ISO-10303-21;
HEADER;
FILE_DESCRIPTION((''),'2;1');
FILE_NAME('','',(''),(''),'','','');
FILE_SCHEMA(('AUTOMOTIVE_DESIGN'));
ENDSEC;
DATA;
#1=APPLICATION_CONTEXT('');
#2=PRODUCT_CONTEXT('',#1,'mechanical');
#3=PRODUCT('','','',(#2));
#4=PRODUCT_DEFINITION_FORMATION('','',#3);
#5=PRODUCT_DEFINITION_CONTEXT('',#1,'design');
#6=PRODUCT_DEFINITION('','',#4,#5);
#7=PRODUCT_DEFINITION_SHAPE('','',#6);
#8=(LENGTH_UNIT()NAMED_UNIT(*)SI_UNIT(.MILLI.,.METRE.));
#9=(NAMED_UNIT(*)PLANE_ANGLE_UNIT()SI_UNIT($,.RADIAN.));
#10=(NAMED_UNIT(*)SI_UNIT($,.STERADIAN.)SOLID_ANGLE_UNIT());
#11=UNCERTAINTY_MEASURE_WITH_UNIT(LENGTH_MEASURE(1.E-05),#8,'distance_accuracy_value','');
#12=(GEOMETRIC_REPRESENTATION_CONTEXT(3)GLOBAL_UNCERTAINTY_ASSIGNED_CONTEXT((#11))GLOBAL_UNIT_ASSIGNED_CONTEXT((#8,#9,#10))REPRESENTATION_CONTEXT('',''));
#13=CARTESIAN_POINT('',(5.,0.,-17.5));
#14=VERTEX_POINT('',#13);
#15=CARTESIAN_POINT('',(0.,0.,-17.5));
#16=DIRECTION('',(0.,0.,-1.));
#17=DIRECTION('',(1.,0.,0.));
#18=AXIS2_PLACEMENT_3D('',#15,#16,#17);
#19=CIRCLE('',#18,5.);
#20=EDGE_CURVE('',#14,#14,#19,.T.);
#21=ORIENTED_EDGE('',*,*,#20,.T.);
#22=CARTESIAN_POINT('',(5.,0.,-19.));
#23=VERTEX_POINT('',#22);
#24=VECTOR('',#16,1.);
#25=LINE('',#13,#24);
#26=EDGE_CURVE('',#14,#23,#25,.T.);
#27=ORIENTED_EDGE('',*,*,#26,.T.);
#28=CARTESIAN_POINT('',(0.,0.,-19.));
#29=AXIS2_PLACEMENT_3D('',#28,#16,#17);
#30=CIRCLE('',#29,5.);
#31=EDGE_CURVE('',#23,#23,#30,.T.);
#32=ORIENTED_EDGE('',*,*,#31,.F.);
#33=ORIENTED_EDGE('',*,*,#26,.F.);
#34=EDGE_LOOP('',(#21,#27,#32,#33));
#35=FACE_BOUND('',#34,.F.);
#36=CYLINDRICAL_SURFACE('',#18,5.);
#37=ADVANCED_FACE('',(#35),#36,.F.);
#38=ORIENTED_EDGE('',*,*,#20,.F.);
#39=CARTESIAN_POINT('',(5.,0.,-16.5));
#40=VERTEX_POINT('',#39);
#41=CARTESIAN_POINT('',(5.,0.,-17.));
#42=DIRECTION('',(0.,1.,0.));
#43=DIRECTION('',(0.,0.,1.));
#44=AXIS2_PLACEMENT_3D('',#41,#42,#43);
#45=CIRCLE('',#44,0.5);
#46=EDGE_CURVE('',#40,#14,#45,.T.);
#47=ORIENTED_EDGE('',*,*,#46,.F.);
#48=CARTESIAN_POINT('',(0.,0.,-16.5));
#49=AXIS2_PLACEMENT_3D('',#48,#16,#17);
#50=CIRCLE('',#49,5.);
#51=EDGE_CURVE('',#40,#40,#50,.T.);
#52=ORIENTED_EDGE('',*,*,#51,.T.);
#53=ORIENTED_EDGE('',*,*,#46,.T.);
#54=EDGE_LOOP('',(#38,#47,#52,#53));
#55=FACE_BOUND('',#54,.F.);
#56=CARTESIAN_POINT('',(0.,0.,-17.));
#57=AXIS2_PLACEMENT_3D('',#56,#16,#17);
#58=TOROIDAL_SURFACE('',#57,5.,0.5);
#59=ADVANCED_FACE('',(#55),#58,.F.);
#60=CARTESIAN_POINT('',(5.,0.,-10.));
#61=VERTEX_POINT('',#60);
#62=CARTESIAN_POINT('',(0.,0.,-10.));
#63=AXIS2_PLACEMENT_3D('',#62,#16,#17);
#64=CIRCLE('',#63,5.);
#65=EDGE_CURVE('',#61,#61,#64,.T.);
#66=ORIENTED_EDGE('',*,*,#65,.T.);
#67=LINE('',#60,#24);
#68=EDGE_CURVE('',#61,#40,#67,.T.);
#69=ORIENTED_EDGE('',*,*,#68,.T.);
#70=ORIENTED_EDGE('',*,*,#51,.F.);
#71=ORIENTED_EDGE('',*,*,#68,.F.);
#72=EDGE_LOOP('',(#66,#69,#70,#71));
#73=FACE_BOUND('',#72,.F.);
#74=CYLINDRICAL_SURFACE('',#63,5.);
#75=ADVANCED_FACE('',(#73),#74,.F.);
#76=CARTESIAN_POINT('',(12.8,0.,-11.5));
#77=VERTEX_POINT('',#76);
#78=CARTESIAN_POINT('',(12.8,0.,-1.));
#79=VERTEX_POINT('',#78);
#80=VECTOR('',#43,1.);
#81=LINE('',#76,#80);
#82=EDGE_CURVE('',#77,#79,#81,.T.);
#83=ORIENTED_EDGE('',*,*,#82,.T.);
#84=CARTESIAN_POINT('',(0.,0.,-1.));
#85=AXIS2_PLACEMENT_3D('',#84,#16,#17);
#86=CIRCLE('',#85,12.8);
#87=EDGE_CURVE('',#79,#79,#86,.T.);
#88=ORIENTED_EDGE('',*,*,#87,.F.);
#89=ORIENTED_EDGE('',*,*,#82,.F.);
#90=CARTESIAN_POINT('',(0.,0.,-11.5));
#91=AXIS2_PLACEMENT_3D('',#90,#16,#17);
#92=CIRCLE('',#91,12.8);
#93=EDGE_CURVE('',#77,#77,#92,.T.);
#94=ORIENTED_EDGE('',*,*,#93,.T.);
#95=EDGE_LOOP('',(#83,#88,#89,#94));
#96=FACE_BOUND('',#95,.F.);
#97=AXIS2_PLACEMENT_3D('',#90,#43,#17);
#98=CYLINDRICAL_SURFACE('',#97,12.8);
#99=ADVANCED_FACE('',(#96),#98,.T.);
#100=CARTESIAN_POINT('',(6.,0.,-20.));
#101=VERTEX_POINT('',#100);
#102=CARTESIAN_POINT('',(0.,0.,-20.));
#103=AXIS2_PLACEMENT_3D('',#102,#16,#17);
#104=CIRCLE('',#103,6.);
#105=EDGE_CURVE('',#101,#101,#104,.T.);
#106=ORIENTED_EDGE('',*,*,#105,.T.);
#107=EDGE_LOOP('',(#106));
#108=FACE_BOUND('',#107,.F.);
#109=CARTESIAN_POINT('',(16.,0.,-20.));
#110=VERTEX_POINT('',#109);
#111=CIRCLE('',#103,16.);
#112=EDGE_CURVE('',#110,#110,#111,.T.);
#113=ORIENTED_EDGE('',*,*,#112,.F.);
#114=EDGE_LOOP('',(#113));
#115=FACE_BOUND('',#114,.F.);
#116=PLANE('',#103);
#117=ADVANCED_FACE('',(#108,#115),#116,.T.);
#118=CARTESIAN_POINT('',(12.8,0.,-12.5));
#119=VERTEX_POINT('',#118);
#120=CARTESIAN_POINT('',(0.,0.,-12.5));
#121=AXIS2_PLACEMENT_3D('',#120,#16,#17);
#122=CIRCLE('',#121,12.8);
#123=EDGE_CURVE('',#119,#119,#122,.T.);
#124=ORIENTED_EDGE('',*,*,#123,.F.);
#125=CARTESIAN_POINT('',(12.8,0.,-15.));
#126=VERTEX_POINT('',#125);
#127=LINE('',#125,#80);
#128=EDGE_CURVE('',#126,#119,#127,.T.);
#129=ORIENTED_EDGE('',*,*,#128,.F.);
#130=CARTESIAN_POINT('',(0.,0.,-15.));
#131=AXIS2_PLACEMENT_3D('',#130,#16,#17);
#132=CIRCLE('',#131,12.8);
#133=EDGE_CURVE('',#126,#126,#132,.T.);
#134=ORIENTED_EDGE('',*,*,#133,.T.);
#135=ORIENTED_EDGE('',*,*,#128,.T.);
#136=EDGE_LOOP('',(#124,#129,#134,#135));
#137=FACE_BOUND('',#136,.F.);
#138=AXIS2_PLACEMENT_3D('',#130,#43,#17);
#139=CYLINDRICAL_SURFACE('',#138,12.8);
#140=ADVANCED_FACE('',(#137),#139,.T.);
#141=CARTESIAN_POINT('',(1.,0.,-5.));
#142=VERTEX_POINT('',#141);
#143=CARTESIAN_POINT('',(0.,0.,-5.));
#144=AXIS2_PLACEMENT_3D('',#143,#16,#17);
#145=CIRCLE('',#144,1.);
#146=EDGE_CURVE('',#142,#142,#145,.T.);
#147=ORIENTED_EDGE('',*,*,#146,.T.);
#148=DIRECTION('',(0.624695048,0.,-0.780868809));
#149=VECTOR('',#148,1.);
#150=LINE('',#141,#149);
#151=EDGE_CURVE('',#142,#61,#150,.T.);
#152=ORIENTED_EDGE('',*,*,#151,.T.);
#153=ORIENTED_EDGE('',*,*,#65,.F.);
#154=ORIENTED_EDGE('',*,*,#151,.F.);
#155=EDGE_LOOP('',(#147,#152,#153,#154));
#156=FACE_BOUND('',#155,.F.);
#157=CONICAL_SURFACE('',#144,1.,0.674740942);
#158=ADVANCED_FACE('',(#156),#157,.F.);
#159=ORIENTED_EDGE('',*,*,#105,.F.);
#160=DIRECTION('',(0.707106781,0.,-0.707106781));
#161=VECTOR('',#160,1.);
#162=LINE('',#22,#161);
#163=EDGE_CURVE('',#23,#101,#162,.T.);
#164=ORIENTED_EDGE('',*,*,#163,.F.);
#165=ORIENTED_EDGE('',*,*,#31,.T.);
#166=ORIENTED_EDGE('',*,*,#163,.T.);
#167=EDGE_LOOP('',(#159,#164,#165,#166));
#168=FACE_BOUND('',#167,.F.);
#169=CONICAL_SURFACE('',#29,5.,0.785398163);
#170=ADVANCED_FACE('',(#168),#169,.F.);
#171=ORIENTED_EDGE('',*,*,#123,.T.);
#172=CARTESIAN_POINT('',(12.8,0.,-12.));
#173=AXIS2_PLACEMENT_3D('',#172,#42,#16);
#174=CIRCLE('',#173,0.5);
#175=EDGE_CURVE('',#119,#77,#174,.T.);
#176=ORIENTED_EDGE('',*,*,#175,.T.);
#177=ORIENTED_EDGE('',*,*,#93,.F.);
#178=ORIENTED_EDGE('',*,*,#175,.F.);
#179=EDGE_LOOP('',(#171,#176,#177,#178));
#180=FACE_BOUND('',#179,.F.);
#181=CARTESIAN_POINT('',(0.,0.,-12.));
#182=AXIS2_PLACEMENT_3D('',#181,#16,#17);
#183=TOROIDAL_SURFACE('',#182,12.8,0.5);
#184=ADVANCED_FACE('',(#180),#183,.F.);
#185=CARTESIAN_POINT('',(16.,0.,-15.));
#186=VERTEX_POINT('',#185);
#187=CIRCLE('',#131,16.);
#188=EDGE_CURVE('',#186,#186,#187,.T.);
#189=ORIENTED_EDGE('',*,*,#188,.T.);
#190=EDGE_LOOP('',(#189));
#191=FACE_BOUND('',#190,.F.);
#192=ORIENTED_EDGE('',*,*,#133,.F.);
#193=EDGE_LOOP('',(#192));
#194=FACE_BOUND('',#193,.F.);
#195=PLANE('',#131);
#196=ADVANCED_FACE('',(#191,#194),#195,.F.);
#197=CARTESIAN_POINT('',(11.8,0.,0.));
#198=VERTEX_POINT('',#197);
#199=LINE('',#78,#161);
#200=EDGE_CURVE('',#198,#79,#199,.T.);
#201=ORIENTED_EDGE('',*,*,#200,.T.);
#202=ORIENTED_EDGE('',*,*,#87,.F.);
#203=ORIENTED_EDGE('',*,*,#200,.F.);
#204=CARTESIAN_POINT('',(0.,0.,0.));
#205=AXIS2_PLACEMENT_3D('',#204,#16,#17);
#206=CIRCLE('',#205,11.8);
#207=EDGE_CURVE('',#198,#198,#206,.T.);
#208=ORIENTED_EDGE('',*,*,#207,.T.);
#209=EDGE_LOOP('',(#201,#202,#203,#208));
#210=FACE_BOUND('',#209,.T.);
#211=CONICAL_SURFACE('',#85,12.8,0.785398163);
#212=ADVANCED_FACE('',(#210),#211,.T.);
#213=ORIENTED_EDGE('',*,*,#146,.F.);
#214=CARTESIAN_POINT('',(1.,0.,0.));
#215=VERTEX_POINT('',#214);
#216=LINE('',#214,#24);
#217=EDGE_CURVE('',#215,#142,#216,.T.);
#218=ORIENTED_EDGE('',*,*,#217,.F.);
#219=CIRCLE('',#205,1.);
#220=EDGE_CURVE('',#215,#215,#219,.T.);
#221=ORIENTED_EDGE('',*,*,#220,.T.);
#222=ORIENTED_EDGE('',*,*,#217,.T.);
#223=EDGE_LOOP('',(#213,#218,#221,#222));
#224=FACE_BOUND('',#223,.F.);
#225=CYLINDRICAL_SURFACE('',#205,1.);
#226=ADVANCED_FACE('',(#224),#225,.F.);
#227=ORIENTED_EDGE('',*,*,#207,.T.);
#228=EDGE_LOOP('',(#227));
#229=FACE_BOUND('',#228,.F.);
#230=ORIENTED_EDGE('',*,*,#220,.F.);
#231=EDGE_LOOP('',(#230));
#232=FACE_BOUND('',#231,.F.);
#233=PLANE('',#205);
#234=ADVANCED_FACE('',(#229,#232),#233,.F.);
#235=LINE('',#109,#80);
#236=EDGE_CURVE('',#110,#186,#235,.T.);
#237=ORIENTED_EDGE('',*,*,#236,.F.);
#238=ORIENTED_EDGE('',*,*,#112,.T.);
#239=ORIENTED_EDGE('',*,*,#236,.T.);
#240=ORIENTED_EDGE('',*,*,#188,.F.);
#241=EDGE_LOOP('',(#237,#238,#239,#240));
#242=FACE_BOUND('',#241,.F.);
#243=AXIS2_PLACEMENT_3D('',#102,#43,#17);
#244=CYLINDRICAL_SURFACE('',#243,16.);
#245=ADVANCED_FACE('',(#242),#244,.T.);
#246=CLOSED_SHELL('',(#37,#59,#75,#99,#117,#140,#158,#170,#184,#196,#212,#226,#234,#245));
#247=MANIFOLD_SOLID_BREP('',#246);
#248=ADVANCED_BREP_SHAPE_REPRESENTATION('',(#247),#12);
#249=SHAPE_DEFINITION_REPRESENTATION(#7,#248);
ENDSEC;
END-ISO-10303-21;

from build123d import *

# Parameters (mm, degrees)
F2_SIZE = 1
F3_SIZE = 1


with BuildPart() as f1:
    # F0 (on Front) → F1 (revolve)
    with BuildSketch(Plane.XZ):
        with BuildLine():
            Line((12.8, 0), (1, 0))
            Line((1, 0), (1, -5))
            Line((1, -5), (5, -10))
            Line((5, -10), (5, -16.5))
            ThreePointArc((5, -16.5), (5.5, -17), (5, -17.5))
            Line((5, -17.5), (5, -20))
            Line((5, -20), (16, -20))
            Line((16, -20), (16, -15))
            Line((16, -15), (12.8, -15))
            Line((12.8, -15), (12.8, -12.5))
            ThreePointArc((12.8, -12.5), (12.3, -12), (12.8, -11.5))
            Line((12.8, -11.5), (12.8, 0))
        make_face()
    revolve(axis=Axis((0, 0, -16.444752), (0, 0, -1)))

    # F2
    f2_edges = [f1.edges().sort_by_distance(p)[0] for p in [
        (-12.8, 0, 0),
    ]]
    chamfer(f2_edges, length=F2_SIZE)

    # F3
    f3_edges = [f1.edges().sort_by_distance(p)[0] for p in [
        (-5, 0, -20),
    ]]
    chamfer(f3_edges, length=F3_SIZE)


solid = f1.part
